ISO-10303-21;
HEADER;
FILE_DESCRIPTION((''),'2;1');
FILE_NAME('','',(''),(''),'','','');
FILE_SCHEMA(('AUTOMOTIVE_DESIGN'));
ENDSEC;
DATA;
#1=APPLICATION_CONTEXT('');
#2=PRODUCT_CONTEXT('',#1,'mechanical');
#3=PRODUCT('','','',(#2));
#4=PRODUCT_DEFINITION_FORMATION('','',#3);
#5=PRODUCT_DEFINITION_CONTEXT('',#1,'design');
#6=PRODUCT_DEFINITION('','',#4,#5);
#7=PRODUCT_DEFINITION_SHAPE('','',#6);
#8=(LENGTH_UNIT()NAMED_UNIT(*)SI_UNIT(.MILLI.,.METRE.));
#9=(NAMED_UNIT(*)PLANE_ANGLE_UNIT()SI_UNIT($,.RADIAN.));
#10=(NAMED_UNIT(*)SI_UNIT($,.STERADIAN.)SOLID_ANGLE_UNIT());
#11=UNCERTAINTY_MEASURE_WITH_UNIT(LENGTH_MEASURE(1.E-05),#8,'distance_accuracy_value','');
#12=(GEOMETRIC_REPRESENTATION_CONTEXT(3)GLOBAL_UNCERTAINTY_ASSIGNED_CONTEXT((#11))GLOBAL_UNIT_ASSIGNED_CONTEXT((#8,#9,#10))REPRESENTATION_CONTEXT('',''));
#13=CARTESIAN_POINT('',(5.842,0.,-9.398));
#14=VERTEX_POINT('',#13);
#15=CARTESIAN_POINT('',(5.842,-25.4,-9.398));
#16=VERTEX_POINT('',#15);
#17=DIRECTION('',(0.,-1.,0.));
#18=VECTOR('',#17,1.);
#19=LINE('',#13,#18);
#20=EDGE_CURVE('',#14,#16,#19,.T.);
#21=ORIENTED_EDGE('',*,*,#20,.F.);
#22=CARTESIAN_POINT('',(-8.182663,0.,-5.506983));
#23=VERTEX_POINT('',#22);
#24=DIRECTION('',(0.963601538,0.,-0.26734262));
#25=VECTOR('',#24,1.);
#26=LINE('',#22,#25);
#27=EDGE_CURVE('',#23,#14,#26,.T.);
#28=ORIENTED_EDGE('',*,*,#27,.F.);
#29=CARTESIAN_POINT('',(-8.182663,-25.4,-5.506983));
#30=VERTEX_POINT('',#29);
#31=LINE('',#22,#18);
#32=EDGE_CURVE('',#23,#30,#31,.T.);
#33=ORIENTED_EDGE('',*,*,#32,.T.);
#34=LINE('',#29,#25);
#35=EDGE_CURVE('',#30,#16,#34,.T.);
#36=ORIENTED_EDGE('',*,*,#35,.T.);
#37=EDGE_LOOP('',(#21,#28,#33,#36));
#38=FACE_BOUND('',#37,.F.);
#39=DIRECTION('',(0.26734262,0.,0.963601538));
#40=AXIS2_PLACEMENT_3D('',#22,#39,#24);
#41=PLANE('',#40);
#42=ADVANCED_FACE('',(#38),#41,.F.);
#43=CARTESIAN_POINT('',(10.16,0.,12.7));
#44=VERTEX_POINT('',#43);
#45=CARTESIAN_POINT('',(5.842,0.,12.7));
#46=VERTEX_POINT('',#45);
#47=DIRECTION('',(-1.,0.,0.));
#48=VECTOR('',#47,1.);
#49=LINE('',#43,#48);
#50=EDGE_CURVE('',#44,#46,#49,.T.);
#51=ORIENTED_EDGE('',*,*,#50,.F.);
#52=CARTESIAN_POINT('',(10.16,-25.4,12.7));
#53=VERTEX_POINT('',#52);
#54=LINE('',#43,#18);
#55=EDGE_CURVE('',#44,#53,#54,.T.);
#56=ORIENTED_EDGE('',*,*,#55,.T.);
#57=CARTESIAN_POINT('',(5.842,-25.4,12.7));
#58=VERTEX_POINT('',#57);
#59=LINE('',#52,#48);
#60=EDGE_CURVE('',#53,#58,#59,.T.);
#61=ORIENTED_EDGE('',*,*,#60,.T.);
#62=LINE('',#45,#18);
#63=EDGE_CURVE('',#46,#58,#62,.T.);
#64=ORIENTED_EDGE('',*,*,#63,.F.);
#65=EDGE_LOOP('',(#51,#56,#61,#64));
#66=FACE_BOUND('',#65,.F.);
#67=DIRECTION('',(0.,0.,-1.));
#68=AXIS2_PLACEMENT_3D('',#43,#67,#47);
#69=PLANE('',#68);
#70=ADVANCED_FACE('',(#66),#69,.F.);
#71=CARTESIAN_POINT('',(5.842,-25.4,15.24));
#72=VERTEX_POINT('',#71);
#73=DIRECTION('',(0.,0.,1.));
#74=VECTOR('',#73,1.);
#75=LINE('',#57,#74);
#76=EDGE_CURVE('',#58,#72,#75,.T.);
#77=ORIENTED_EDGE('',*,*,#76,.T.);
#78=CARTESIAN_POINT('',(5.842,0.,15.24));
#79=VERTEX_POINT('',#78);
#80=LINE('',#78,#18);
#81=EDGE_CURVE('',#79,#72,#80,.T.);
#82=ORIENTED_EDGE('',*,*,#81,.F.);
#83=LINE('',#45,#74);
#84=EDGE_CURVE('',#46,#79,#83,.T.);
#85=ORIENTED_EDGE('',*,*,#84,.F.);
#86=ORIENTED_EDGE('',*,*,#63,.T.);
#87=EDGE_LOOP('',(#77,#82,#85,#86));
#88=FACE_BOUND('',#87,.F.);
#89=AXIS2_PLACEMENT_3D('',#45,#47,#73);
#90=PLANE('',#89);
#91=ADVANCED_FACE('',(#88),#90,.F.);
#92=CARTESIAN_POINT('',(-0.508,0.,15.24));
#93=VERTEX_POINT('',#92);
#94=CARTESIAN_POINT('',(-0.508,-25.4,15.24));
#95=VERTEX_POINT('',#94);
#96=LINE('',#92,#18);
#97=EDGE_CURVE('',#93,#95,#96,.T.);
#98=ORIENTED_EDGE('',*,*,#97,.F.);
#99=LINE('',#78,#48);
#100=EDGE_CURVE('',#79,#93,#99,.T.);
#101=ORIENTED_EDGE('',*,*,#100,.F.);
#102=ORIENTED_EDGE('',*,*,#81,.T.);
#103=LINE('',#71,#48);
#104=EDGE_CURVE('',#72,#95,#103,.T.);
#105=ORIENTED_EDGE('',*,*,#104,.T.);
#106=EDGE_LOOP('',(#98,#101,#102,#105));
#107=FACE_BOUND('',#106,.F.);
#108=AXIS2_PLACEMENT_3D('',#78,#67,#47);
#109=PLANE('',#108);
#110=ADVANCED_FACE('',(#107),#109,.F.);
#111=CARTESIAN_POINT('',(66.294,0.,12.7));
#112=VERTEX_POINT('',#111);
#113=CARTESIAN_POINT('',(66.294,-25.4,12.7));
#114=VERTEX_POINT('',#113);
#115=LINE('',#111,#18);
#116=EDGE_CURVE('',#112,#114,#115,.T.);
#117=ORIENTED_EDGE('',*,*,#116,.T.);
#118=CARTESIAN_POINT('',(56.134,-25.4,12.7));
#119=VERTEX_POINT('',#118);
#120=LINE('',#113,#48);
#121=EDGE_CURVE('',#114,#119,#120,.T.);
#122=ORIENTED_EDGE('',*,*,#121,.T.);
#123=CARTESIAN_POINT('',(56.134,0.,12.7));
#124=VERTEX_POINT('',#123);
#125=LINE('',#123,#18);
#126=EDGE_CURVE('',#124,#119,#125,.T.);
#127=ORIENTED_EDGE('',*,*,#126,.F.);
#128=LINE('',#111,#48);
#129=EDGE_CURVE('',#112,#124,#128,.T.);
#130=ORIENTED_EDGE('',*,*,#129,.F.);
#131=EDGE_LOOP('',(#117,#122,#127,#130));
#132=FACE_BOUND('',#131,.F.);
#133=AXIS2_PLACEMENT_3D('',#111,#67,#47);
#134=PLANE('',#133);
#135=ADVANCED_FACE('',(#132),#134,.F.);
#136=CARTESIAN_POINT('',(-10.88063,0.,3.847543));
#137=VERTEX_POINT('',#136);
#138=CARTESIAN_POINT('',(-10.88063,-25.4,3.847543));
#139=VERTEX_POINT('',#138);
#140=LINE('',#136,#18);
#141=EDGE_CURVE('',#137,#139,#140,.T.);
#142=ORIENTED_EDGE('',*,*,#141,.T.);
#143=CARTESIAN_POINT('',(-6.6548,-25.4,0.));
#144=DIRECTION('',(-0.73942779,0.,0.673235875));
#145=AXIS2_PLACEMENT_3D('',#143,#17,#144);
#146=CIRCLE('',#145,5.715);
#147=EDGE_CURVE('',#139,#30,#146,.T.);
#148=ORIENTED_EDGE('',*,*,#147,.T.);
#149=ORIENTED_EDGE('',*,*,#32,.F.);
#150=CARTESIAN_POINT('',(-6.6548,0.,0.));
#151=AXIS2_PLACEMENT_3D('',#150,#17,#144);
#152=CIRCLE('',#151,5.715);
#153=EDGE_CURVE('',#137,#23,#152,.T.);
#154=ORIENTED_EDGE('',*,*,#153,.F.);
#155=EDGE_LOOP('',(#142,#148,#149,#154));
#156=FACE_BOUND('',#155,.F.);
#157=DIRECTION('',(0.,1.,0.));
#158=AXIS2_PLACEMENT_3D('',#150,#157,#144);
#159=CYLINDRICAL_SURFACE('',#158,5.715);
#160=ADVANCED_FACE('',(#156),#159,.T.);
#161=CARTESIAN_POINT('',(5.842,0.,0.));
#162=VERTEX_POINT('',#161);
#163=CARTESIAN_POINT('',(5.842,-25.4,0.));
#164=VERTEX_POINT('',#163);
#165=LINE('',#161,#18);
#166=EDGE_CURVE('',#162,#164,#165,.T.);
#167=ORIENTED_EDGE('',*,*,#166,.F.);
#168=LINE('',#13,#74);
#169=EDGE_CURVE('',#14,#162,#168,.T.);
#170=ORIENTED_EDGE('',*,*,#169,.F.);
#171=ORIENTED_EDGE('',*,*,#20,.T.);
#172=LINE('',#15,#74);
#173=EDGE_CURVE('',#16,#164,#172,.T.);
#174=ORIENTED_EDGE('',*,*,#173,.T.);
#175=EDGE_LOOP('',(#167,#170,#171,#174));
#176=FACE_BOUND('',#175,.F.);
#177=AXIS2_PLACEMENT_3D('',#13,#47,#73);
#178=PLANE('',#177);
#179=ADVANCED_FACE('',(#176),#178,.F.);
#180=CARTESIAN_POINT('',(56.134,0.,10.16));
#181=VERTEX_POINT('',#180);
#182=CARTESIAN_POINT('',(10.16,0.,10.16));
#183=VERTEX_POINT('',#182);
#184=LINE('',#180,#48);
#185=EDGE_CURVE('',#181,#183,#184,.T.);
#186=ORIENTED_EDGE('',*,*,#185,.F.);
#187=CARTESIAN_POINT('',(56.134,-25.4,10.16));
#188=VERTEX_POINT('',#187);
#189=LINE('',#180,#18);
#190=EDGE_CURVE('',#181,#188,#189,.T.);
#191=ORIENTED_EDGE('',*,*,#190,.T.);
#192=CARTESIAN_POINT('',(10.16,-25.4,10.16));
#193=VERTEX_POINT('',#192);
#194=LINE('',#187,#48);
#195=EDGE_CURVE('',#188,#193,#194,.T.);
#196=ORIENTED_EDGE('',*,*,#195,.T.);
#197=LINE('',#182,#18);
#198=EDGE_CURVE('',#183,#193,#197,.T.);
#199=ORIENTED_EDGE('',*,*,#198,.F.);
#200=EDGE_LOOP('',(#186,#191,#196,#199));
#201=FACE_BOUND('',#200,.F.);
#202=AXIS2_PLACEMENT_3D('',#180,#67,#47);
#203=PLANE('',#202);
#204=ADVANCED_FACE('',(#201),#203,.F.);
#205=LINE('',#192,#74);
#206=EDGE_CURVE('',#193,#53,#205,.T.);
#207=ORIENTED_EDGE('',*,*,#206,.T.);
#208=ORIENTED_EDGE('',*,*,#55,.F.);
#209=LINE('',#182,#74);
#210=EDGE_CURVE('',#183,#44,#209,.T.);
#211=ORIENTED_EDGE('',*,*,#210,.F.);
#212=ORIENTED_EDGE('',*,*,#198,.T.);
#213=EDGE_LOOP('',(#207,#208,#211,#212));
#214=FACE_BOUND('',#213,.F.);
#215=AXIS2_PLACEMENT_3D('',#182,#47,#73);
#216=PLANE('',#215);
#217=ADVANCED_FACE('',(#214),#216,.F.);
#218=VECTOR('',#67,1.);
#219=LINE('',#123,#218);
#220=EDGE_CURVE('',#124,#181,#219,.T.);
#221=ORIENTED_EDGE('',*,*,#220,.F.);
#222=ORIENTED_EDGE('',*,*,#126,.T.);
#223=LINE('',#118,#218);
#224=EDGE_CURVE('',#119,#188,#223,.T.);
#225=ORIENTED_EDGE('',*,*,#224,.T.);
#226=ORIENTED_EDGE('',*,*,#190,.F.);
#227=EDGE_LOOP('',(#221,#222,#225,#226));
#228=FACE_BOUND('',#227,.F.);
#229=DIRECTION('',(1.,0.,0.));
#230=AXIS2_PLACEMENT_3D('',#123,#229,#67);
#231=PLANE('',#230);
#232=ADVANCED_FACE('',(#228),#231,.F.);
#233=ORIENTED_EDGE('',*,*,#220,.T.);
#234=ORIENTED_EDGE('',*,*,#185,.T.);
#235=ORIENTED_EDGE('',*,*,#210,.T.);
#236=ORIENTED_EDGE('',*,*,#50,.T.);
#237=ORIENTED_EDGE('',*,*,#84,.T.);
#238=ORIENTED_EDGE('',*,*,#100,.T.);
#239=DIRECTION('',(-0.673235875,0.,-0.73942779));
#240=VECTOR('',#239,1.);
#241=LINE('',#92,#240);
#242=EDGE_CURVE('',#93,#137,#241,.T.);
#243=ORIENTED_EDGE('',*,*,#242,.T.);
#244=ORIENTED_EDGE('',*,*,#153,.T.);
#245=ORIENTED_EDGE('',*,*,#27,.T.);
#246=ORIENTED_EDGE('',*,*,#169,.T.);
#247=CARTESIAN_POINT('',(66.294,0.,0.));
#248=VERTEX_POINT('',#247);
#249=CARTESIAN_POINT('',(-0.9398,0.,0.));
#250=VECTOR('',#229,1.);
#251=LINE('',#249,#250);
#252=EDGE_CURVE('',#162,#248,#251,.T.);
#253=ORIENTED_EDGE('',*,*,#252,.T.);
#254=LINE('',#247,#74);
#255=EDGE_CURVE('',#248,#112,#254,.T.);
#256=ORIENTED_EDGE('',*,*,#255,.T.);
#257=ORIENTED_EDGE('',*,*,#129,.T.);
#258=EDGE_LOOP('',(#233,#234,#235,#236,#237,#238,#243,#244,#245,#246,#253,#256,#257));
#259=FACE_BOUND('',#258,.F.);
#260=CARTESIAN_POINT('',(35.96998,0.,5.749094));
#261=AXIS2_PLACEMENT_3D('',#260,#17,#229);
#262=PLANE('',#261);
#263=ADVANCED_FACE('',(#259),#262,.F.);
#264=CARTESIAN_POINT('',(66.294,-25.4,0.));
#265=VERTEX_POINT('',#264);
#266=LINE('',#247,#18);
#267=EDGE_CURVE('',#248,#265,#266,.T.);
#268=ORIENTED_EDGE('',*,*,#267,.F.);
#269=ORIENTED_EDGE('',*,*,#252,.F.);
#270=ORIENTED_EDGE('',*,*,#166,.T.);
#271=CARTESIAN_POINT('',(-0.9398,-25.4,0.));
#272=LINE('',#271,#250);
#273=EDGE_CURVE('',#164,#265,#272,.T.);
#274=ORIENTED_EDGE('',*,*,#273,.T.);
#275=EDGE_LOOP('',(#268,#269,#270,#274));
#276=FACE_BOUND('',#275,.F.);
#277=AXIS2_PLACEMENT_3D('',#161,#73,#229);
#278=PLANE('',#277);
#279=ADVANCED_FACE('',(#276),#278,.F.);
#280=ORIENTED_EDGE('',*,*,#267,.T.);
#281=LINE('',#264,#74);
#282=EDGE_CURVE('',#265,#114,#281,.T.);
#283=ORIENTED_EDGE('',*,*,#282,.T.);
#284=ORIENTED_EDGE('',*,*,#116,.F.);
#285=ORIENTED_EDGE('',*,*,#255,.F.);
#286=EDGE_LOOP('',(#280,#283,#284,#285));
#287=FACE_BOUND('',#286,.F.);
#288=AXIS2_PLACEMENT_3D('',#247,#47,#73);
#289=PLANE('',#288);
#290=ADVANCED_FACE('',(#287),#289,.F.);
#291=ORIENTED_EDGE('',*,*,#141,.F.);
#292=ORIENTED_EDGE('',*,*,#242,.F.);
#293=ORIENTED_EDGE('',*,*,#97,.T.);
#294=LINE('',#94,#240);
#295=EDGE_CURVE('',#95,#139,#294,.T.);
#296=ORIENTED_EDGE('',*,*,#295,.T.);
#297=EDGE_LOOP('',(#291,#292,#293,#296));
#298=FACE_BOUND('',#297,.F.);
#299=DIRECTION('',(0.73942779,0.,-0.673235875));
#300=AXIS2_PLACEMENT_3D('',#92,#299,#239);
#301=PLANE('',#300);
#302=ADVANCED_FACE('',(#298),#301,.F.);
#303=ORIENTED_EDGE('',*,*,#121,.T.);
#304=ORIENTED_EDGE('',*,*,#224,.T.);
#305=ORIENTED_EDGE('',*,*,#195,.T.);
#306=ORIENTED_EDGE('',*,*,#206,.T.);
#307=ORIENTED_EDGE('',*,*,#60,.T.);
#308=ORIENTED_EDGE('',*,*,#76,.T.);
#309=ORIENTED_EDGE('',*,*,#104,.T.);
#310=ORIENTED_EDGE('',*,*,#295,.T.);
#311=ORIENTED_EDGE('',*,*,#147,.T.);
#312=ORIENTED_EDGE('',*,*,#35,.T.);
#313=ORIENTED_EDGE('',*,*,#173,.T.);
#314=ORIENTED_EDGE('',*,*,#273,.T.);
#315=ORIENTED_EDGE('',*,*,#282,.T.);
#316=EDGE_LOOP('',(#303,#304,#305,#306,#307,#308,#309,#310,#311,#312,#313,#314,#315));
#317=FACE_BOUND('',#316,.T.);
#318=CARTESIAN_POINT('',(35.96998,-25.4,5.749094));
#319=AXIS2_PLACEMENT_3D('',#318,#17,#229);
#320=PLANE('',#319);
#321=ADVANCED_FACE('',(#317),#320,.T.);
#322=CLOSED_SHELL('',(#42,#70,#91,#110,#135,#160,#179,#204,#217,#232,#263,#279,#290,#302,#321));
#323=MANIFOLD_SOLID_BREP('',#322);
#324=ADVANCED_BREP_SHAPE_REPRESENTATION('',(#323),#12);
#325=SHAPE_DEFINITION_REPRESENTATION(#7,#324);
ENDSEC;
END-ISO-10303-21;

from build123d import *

# Parameters (mm, degrees)
F0_R     = 3.175
F0_W     = 5.842
F0_H     = 12.7
F1_DEPTH = 25.4


with BuildPart() as f1:
    # F0 (on Front) → F1 (new body)
    with BuildSketch(Plane.XZ):
        Polygon((5.842, 12.7), (5.842, 0), (66.294, 0), (66.294, 12.7), (56.134, 12.7), (56.134, 10.16), (10.16, 10.16), (10.16, 12.7), align=None)
        with BuildLine():
            ThreePointArc((-8.1826630726, -5.5069827884), (-3.1957909266, -4.5493385486), (-0.9398, 0))
            ThreePointArc((-0.9398, 0), (-4.5919612295, 5.3297205562), (-10.8806298187, 3.8475430269))
            ThreePointArc((-10.8806298187, 3.8475430269), (-12.1459778134, -1.5837270034), (-8.1826630726, -5.5069827884))
        make_face()
        with Locations((-6.6548, 0)):
            Circle(F0_R, mode=Mode.SUBTRACT)
        with BuildLine():
            Line((-0.9398, 0), (0, 0))
            Line((0, 0), (0, 12.7))
            Line((0, 12.7), (5.842, 12.7))
            Line((5.842, 12.7), (5.842, 15.24))
            Line((5.842, 15.24), (-0.508, 15.24))
            Line((-0.508, 15.24), (-10.8806298187, 3.8475430269))
            ThreePointArc((-10.8806298187, 3.8475430269), (-4.5919612295, 5.3297205562), (-0.9398, 0))
        make_face()
        with Locations((2.921, 6.35)):
            Rectangle(F0_W, F0_H)
        with BuildLine():
            Line((5.842, 0), (0, 0))
            Line((0, 0), (-0.9398, 0))
            ThreePointArc((-0.9398, 0), (-3.1957909266, -4.5493385486), (-8.1826630726, -5.5069827884))
            Line((-8.1826630726, -5.5069827884), (5.842, -9.398))
            Line((5.842, -9.398), (5.842, 0))
        make_face()
        with Locations((-6.6548, 0)):
            Circle(F0_R)
    extrude(amount=F1_DEPTH)


solid = f1.part
